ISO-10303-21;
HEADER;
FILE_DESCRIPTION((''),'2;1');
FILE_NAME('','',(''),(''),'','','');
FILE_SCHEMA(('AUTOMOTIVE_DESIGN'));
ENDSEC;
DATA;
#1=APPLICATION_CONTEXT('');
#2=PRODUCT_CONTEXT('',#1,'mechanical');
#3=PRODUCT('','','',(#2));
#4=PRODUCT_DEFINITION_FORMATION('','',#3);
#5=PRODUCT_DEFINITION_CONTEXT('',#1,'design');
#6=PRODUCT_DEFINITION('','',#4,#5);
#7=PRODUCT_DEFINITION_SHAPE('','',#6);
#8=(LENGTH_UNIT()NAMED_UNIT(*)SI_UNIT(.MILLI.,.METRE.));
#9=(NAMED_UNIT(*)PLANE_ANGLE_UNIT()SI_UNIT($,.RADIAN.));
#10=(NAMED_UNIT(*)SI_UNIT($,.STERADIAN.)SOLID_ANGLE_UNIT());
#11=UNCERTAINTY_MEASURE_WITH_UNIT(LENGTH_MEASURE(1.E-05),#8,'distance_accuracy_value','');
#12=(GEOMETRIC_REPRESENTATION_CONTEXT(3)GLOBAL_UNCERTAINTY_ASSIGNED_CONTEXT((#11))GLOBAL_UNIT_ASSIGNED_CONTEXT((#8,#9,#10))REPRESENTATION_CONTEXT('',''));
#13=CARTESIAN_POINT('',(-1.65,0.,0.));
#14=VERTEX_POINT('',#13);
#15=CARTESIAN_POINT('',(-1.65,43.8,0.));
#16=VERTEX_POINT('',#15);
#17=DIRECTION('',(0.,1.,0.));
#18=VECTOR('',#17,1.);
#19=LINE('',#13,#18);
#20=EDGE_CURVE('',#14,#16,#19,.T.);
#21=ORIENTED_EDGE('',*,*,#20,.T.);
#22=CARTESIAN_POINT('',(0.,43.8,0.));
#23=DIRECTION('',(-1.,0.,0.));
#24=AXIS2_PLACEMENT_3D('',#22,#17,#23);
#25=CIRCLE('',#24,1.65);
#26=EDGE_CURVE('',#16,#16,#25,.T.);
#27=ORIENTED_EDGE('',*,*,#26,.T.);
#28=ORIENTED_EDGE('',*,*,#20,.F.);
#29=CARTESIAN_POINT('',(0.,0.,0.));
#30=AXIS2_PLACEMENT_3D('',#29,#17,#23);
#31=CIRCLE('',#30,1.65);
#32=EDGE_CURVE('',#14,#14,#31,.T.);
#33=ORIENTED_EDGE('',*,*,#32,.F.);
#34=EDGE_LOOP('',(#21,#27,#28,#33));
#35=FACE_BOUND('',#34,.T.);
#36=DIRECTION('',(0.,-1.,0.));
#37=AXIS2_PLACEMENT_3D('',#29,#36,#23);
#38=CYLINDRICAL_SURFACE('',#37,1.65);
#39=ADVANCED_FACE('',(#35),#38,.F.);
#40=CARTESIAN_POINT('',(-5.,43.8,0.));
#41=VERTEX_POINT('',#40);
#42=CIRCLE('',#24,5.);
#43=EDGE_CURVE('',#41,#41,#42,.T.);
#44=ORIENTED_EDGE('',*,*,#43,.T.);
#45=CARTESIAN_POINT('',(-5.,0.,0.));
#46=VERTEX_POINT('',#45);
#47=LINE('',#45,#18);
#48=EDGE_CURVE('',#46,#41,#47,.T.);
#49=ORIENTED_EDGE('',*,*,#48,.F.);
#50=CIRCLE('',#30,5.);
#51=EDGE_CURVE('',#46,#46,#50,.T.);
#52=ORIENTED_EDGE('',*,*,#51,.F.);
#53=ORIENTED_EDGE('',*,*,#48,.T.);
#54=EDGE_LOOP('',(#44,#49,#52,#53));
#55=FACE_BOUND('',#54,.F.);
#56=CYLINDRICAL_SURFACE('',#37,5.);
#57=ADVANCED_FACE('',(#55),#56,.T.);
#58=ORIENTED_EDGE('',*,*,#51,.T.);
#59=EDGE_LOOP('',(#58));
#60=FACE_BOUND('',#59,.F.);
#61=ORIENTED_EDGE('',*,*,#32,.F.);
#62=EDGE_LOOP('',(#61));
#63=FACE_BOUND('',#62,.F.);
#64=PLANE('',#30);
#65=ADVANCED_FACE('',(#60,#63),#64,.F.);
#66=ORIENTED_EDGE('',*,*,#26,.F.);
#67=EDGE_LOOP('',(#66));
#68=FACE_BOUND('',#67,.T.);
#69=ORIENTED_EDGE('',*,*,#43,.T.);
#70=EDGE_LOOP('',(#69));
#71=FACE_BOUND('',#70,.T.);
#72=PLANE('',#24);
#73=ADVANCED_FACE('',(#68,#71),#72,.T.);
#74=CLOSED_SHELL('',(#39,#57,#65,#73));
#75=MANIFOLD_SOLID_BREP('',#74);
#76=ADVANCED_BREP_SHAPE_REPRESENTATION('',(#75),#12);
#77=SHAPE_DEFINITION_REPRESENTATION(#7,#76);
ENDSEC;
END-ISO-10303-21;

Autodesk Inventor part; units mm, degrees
ref_plane "YZ Plane" through (0, 0, 0) normal (1, 0, 0) x (0, 1, 0)
ref_plane "XZ Plane" through (0, 0, 0) normal (0, 1, 0) x (-1, 0, 0)
ref_plane "XY Plane" through (0, 0, 0) normal (0, 0, 1) x (1, 0, 0)
sketch "スケッチ1" plane through (0, 0, 0) normal (0, 1, 0) x (-1, 0, 0)
  circle A0 centre (0, 0) radius 1.65
  circle A1 centre (0, 0) radius 5
  dimension "d0" = 3.3
  dimension "d1" = 10
extrude "押し出し1" add sketch "スケッチ1" along normal blind 43.8
properties part number "elbow_lower_plate_spacer"
